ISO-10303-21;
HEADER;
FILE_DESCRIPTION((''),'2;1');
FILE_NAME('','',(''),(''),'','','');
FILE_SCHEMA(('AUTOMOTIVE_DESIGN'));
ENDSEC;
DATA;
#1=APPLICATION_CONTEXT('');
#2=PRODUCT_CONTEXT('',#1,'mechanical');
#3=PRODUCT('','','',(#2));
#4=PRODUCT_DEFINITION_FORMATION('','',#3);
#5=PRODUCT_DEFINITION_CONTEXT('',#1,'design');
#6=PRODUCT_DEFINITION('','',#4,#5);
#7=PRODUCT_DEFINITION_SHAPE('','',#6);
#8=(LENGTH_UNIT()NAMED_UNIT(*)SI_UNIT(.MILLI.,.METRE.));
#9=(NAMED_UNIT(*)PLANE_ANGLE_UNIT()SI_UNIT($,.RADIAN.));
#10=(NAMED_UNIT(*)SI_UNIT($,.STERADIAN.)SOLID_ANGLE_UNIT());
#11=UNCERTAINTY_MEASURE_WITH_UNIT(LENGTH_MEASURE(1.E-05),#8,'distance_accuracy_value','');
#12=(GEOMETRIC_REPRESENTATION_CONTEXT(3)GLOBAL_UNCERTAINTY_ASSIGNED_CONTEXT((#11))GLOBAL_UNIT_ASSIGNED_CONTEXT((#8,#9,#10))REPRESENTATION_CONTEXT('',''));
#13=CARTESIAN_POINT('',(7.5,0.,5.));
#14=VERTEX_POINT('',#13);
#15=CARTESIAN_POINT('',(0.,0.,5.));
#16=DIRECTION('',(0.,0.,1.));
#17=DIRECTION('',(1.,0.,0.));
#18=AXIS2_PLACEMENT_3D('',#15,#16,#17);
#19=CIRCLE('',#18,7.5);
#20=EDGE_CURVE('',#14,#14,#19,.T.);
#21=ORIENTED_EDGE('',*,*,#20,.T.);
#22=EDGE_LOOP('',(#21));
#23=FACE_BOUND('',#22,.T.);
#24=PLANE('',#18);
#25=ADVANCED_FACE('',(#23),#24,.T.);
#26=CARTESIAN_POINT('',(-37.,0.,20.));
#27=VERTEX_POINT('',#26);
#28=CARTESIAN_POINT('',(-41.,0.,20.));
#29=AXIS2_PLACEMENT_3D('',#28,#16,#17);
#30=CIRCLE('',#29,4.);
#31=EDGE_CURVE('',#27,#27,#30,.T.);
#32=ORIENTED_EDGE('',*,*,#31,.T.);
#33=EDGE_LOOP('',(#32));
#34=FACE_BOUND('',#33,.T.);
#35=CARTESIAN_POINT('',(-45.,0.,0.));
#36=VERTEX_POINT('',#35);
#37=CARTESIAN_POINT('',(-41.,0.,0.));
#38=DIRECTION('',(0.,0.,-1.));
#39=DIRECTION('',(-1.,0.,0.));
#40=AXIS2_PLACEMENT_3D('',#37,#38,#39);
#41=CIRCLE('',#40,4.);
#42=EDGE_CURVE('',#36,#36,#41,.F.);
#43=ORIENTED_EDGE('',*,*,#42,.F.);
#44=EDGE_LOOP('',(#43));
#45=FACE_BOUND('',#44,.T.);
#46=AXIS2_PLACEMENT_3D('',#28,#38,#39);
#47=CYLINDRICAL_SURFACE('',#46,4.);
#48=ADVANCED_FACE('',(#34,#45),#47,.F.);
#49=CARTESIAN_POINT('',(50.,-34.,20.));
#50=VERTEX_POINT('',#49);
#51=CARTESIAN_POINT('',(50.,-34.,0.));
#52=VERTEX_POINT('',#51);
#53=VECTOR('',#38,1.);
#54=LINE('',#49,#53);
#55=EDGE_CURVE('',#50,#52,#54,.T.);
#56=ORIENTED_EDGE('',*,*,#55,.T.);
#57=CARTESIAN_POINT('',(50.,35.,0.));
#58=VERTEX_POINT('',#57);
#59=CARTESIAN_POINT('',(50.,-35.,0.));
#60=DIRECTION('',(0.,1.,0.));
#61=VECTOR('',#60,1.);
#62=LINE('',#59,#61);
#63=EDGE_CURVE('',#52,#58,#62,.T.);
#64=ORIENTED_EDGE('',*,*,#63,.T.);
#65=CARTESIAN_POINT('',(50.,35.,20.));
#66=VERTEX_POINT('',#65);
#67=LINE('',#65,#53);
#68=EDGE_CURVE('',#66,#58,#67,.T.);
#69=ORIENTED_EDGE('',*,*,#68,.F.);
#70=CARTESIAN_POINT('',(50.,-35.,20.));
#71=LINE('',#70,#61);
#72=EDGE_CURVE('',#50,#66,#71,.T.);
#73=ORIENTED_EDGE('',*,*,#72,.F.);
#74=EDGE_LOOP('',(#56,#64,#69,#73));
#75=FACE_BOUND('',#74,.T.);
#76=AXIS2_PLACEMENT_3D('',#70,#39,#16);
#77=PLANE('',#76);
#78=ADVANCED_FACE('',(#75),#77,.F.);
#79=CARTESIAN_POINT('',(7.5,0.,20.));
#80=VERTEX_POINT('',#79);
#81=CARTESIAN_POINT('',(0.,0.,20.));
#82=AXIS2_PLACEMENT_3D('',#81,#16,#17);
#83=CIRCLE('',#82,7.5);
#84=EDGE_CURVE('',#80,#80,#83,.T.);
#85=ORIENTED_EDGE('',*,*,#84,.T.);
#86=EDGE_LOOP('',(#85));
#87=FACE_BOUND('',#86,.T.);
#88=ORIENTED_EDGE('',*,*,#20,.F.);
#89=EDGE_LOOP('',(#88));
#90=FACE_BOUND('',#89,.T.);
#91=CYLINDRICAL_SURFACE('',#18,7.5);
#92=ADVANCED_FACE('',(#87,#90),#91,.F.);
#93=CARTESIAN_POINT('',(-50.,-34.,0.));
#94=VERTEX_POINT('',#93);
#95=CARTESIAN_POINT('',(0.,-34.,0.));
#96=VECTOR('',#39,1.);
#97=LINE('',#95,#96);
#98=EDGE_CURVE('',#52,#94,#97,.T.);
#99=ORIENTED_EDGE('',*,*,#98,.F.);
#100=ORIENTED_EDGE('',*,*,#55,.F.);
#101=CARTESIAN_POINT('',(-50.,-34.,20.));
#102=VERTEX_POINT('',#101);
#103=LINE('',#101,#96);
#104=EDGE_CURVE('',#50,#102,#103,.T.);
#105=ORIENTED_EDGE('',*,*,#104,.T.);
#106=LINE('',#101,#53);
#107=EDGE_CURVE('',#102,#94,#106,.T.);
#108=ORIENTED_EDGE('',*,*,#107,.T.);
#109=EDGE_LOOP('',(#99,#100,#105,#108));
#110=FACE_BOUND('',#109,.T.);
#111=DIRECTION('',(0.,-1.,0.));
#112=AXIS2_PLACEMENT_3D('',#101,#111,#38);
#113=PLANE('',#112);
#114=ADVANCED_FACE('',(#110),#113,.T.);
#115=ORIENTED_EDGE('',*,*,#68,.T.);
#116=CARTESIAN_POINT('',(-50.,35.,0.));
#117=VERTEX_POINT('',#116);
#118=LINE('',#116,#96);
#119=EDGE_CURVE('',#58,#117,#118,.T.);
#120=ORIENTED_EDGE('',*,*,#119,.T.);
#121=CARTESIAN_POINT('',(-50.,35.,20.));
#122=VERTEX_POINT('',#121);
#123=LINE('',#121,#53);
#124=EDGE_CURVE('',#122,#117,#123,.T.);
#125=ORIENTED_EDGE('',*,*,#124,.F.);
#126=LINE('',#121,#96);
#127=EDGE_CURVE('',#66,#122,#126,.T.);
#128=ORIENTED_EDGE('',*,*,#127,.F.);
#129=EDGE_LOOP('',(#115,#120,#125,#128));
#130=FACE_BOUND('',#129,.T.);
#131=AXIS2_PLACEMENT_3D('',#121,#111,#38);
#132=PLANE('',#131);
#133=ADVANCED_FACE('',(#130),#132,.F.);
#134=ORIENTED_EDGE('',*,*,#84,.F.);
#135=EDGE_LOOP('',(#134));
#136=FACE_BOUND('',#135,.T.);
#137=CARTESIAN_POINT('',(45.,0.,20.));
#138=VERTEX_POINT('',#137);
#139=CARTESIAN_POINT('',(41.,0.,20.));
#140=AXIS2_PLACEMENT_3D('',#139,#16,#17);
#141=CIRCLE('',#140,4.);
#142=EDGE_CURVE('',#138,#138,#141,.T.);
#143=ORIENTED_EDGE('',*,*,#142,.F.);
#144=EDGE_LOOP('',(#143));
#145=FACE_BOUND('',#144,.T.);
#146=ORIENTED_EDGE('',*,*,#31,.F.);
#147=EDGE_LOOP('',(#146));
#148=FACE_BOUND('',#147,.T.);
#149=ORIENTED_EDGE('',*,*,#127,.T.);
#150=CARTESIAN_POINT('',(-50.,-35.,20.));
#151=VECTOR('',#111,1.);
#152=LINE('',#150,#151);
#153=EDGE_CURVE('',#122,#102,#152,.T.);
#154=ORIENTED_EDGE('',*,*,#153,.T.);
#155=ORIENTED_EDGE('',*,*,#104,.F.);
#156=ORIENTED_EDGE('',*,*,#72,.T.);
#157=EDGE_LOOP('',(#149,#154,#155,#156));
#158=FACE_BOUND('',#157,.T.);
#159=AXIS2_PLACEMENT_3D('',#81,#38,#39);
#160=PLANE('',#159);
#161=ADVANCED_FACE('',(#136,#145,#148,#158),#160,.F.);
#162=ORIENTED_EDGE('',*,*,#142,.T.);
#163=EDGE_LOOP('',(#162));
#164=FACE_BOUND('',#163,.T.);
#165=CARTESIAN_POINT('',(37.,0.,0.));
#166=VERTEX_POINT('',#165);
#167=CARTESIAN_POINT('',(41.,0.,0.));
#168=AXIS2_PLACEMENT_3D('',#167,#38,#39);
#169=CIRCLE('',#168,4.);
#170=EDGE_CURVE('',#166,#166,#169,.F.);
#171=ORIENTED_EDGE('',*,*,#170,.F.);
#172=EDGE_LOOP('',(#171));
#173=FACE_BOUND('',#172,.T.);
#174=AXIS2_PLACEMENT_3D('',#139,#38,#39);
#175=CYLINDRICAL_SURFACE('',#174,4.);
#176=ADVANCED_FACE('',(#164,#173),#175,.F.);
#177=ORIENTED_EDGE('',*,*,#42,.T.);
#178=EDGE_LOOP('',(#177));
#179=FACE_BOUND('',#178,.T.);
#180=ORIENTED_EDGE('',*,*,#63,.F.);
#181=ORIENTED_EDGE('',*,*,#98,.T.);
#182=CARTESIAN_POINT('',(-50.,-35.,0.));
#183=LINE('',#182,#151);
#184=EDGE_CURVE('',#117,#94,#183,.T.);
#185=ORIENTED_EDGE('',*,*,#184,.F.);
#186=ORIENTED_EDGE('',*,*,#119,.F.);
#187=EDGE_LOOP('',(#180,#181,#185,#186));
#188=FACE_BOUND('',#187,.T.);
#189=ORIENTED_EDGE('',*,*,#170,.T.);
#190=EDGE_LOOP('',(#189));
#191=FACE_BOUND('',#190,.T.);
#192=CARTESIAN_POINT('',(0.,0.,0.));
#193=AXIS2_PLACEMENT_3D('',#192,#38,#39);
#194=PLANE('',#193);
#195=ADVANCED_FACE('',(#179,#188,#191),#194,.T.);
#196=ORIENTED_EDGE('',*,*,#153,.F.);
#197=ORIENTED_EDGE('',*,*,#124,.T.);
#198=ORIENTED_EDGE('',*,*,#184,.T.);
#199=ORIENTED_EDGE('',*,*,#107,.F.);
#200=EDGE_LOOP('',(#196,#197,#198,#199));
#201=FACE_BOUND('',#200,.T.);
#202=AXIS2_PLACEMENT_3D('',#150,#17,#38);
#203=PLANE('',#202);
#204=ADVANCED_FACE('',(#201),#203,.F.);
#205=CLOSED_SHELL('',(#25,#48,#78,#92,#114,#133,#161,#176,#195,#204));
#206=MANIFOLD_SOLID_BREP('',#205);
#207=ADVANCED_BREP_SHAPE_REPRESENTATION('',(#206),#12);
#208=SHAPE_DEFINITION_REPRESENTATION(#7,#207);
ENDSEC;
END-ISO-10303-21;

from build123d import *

# Parameters (mm, degrees)
SKETCH1_W               = 100
SKETCH1_H               = 70
BOSS_EXTRUDE1_DEPTH     = 20
SKETCH2_R               = 4
CUT_EXTRUDE1_DEPTH      = 21
CUT_EXTRUDE1_DEPTH_BACK = 1
SKETCH3_R               = 7.5
CUT_EXTRUDE2_DEPTH      = 15
SKETCH4_W               = 100
SKETCH4_H               = 1
CUT_EXTRUDE3_DEPTH      = 21
CUT_EXTRUDE3_DEPTH_BACK = 1


with BuildPart() as part:
    # Sketch1 → Boss-Extrude1 (new body)
    with BuildSketch(Plane.XY):
        Rectangle(SKETCH1_W, SKETCH1_H)
    extrude(amount=BOSS_EXTRUDE1_DEPTH)

    # Sketch2 → Cut-Extrude1 (cut, two sides)
    with BuildSketch(Plane.XY) as cut_extrude1_sk:
        with Locations((-41, 0)):
            Circle(SKETCH2_R)
        with Locations((41, 0)):
            Circle(SKETCH2_R)
    extrude(amount=CUT_EXTRUDE1_DEPTH, mode=Mode.SUBTRACT)
    extrude(cut_extrude1_sk.sketch, amount=-CUT_EXTRUDE1_DEPTH_BACK, mode=Mode.SUBTRACT)

    # Sketch3 → Cut-Extrude2 (cut)
    with BuildSketch(Plane.XY.offset(20)):
        Circle(SKETCH3_R)
    extrude(amount=-CUT_EXTRUDE2_DEPTH, mode=Mode.SUBTRACT)

    # Sketch4 → Cut-Extrude3 (cut, two sides)
    with BuildSketch(Plane.XY) as cut_extrude3_sk:
        with Locations((0, -34.5)):
            Rectangle(SKETCH4_W, SKETCH4_H)
    extrude(amount=CUT_EXTRUDE3_DEPTH, mode=Mode.SUBTRACT)
    extrude(cut_extrude3_sk.sketch, amount=-CUT_EXTRUDE3_DEPTH_BACK, mode=Mode.SUBTRACT)


solid = part.part
